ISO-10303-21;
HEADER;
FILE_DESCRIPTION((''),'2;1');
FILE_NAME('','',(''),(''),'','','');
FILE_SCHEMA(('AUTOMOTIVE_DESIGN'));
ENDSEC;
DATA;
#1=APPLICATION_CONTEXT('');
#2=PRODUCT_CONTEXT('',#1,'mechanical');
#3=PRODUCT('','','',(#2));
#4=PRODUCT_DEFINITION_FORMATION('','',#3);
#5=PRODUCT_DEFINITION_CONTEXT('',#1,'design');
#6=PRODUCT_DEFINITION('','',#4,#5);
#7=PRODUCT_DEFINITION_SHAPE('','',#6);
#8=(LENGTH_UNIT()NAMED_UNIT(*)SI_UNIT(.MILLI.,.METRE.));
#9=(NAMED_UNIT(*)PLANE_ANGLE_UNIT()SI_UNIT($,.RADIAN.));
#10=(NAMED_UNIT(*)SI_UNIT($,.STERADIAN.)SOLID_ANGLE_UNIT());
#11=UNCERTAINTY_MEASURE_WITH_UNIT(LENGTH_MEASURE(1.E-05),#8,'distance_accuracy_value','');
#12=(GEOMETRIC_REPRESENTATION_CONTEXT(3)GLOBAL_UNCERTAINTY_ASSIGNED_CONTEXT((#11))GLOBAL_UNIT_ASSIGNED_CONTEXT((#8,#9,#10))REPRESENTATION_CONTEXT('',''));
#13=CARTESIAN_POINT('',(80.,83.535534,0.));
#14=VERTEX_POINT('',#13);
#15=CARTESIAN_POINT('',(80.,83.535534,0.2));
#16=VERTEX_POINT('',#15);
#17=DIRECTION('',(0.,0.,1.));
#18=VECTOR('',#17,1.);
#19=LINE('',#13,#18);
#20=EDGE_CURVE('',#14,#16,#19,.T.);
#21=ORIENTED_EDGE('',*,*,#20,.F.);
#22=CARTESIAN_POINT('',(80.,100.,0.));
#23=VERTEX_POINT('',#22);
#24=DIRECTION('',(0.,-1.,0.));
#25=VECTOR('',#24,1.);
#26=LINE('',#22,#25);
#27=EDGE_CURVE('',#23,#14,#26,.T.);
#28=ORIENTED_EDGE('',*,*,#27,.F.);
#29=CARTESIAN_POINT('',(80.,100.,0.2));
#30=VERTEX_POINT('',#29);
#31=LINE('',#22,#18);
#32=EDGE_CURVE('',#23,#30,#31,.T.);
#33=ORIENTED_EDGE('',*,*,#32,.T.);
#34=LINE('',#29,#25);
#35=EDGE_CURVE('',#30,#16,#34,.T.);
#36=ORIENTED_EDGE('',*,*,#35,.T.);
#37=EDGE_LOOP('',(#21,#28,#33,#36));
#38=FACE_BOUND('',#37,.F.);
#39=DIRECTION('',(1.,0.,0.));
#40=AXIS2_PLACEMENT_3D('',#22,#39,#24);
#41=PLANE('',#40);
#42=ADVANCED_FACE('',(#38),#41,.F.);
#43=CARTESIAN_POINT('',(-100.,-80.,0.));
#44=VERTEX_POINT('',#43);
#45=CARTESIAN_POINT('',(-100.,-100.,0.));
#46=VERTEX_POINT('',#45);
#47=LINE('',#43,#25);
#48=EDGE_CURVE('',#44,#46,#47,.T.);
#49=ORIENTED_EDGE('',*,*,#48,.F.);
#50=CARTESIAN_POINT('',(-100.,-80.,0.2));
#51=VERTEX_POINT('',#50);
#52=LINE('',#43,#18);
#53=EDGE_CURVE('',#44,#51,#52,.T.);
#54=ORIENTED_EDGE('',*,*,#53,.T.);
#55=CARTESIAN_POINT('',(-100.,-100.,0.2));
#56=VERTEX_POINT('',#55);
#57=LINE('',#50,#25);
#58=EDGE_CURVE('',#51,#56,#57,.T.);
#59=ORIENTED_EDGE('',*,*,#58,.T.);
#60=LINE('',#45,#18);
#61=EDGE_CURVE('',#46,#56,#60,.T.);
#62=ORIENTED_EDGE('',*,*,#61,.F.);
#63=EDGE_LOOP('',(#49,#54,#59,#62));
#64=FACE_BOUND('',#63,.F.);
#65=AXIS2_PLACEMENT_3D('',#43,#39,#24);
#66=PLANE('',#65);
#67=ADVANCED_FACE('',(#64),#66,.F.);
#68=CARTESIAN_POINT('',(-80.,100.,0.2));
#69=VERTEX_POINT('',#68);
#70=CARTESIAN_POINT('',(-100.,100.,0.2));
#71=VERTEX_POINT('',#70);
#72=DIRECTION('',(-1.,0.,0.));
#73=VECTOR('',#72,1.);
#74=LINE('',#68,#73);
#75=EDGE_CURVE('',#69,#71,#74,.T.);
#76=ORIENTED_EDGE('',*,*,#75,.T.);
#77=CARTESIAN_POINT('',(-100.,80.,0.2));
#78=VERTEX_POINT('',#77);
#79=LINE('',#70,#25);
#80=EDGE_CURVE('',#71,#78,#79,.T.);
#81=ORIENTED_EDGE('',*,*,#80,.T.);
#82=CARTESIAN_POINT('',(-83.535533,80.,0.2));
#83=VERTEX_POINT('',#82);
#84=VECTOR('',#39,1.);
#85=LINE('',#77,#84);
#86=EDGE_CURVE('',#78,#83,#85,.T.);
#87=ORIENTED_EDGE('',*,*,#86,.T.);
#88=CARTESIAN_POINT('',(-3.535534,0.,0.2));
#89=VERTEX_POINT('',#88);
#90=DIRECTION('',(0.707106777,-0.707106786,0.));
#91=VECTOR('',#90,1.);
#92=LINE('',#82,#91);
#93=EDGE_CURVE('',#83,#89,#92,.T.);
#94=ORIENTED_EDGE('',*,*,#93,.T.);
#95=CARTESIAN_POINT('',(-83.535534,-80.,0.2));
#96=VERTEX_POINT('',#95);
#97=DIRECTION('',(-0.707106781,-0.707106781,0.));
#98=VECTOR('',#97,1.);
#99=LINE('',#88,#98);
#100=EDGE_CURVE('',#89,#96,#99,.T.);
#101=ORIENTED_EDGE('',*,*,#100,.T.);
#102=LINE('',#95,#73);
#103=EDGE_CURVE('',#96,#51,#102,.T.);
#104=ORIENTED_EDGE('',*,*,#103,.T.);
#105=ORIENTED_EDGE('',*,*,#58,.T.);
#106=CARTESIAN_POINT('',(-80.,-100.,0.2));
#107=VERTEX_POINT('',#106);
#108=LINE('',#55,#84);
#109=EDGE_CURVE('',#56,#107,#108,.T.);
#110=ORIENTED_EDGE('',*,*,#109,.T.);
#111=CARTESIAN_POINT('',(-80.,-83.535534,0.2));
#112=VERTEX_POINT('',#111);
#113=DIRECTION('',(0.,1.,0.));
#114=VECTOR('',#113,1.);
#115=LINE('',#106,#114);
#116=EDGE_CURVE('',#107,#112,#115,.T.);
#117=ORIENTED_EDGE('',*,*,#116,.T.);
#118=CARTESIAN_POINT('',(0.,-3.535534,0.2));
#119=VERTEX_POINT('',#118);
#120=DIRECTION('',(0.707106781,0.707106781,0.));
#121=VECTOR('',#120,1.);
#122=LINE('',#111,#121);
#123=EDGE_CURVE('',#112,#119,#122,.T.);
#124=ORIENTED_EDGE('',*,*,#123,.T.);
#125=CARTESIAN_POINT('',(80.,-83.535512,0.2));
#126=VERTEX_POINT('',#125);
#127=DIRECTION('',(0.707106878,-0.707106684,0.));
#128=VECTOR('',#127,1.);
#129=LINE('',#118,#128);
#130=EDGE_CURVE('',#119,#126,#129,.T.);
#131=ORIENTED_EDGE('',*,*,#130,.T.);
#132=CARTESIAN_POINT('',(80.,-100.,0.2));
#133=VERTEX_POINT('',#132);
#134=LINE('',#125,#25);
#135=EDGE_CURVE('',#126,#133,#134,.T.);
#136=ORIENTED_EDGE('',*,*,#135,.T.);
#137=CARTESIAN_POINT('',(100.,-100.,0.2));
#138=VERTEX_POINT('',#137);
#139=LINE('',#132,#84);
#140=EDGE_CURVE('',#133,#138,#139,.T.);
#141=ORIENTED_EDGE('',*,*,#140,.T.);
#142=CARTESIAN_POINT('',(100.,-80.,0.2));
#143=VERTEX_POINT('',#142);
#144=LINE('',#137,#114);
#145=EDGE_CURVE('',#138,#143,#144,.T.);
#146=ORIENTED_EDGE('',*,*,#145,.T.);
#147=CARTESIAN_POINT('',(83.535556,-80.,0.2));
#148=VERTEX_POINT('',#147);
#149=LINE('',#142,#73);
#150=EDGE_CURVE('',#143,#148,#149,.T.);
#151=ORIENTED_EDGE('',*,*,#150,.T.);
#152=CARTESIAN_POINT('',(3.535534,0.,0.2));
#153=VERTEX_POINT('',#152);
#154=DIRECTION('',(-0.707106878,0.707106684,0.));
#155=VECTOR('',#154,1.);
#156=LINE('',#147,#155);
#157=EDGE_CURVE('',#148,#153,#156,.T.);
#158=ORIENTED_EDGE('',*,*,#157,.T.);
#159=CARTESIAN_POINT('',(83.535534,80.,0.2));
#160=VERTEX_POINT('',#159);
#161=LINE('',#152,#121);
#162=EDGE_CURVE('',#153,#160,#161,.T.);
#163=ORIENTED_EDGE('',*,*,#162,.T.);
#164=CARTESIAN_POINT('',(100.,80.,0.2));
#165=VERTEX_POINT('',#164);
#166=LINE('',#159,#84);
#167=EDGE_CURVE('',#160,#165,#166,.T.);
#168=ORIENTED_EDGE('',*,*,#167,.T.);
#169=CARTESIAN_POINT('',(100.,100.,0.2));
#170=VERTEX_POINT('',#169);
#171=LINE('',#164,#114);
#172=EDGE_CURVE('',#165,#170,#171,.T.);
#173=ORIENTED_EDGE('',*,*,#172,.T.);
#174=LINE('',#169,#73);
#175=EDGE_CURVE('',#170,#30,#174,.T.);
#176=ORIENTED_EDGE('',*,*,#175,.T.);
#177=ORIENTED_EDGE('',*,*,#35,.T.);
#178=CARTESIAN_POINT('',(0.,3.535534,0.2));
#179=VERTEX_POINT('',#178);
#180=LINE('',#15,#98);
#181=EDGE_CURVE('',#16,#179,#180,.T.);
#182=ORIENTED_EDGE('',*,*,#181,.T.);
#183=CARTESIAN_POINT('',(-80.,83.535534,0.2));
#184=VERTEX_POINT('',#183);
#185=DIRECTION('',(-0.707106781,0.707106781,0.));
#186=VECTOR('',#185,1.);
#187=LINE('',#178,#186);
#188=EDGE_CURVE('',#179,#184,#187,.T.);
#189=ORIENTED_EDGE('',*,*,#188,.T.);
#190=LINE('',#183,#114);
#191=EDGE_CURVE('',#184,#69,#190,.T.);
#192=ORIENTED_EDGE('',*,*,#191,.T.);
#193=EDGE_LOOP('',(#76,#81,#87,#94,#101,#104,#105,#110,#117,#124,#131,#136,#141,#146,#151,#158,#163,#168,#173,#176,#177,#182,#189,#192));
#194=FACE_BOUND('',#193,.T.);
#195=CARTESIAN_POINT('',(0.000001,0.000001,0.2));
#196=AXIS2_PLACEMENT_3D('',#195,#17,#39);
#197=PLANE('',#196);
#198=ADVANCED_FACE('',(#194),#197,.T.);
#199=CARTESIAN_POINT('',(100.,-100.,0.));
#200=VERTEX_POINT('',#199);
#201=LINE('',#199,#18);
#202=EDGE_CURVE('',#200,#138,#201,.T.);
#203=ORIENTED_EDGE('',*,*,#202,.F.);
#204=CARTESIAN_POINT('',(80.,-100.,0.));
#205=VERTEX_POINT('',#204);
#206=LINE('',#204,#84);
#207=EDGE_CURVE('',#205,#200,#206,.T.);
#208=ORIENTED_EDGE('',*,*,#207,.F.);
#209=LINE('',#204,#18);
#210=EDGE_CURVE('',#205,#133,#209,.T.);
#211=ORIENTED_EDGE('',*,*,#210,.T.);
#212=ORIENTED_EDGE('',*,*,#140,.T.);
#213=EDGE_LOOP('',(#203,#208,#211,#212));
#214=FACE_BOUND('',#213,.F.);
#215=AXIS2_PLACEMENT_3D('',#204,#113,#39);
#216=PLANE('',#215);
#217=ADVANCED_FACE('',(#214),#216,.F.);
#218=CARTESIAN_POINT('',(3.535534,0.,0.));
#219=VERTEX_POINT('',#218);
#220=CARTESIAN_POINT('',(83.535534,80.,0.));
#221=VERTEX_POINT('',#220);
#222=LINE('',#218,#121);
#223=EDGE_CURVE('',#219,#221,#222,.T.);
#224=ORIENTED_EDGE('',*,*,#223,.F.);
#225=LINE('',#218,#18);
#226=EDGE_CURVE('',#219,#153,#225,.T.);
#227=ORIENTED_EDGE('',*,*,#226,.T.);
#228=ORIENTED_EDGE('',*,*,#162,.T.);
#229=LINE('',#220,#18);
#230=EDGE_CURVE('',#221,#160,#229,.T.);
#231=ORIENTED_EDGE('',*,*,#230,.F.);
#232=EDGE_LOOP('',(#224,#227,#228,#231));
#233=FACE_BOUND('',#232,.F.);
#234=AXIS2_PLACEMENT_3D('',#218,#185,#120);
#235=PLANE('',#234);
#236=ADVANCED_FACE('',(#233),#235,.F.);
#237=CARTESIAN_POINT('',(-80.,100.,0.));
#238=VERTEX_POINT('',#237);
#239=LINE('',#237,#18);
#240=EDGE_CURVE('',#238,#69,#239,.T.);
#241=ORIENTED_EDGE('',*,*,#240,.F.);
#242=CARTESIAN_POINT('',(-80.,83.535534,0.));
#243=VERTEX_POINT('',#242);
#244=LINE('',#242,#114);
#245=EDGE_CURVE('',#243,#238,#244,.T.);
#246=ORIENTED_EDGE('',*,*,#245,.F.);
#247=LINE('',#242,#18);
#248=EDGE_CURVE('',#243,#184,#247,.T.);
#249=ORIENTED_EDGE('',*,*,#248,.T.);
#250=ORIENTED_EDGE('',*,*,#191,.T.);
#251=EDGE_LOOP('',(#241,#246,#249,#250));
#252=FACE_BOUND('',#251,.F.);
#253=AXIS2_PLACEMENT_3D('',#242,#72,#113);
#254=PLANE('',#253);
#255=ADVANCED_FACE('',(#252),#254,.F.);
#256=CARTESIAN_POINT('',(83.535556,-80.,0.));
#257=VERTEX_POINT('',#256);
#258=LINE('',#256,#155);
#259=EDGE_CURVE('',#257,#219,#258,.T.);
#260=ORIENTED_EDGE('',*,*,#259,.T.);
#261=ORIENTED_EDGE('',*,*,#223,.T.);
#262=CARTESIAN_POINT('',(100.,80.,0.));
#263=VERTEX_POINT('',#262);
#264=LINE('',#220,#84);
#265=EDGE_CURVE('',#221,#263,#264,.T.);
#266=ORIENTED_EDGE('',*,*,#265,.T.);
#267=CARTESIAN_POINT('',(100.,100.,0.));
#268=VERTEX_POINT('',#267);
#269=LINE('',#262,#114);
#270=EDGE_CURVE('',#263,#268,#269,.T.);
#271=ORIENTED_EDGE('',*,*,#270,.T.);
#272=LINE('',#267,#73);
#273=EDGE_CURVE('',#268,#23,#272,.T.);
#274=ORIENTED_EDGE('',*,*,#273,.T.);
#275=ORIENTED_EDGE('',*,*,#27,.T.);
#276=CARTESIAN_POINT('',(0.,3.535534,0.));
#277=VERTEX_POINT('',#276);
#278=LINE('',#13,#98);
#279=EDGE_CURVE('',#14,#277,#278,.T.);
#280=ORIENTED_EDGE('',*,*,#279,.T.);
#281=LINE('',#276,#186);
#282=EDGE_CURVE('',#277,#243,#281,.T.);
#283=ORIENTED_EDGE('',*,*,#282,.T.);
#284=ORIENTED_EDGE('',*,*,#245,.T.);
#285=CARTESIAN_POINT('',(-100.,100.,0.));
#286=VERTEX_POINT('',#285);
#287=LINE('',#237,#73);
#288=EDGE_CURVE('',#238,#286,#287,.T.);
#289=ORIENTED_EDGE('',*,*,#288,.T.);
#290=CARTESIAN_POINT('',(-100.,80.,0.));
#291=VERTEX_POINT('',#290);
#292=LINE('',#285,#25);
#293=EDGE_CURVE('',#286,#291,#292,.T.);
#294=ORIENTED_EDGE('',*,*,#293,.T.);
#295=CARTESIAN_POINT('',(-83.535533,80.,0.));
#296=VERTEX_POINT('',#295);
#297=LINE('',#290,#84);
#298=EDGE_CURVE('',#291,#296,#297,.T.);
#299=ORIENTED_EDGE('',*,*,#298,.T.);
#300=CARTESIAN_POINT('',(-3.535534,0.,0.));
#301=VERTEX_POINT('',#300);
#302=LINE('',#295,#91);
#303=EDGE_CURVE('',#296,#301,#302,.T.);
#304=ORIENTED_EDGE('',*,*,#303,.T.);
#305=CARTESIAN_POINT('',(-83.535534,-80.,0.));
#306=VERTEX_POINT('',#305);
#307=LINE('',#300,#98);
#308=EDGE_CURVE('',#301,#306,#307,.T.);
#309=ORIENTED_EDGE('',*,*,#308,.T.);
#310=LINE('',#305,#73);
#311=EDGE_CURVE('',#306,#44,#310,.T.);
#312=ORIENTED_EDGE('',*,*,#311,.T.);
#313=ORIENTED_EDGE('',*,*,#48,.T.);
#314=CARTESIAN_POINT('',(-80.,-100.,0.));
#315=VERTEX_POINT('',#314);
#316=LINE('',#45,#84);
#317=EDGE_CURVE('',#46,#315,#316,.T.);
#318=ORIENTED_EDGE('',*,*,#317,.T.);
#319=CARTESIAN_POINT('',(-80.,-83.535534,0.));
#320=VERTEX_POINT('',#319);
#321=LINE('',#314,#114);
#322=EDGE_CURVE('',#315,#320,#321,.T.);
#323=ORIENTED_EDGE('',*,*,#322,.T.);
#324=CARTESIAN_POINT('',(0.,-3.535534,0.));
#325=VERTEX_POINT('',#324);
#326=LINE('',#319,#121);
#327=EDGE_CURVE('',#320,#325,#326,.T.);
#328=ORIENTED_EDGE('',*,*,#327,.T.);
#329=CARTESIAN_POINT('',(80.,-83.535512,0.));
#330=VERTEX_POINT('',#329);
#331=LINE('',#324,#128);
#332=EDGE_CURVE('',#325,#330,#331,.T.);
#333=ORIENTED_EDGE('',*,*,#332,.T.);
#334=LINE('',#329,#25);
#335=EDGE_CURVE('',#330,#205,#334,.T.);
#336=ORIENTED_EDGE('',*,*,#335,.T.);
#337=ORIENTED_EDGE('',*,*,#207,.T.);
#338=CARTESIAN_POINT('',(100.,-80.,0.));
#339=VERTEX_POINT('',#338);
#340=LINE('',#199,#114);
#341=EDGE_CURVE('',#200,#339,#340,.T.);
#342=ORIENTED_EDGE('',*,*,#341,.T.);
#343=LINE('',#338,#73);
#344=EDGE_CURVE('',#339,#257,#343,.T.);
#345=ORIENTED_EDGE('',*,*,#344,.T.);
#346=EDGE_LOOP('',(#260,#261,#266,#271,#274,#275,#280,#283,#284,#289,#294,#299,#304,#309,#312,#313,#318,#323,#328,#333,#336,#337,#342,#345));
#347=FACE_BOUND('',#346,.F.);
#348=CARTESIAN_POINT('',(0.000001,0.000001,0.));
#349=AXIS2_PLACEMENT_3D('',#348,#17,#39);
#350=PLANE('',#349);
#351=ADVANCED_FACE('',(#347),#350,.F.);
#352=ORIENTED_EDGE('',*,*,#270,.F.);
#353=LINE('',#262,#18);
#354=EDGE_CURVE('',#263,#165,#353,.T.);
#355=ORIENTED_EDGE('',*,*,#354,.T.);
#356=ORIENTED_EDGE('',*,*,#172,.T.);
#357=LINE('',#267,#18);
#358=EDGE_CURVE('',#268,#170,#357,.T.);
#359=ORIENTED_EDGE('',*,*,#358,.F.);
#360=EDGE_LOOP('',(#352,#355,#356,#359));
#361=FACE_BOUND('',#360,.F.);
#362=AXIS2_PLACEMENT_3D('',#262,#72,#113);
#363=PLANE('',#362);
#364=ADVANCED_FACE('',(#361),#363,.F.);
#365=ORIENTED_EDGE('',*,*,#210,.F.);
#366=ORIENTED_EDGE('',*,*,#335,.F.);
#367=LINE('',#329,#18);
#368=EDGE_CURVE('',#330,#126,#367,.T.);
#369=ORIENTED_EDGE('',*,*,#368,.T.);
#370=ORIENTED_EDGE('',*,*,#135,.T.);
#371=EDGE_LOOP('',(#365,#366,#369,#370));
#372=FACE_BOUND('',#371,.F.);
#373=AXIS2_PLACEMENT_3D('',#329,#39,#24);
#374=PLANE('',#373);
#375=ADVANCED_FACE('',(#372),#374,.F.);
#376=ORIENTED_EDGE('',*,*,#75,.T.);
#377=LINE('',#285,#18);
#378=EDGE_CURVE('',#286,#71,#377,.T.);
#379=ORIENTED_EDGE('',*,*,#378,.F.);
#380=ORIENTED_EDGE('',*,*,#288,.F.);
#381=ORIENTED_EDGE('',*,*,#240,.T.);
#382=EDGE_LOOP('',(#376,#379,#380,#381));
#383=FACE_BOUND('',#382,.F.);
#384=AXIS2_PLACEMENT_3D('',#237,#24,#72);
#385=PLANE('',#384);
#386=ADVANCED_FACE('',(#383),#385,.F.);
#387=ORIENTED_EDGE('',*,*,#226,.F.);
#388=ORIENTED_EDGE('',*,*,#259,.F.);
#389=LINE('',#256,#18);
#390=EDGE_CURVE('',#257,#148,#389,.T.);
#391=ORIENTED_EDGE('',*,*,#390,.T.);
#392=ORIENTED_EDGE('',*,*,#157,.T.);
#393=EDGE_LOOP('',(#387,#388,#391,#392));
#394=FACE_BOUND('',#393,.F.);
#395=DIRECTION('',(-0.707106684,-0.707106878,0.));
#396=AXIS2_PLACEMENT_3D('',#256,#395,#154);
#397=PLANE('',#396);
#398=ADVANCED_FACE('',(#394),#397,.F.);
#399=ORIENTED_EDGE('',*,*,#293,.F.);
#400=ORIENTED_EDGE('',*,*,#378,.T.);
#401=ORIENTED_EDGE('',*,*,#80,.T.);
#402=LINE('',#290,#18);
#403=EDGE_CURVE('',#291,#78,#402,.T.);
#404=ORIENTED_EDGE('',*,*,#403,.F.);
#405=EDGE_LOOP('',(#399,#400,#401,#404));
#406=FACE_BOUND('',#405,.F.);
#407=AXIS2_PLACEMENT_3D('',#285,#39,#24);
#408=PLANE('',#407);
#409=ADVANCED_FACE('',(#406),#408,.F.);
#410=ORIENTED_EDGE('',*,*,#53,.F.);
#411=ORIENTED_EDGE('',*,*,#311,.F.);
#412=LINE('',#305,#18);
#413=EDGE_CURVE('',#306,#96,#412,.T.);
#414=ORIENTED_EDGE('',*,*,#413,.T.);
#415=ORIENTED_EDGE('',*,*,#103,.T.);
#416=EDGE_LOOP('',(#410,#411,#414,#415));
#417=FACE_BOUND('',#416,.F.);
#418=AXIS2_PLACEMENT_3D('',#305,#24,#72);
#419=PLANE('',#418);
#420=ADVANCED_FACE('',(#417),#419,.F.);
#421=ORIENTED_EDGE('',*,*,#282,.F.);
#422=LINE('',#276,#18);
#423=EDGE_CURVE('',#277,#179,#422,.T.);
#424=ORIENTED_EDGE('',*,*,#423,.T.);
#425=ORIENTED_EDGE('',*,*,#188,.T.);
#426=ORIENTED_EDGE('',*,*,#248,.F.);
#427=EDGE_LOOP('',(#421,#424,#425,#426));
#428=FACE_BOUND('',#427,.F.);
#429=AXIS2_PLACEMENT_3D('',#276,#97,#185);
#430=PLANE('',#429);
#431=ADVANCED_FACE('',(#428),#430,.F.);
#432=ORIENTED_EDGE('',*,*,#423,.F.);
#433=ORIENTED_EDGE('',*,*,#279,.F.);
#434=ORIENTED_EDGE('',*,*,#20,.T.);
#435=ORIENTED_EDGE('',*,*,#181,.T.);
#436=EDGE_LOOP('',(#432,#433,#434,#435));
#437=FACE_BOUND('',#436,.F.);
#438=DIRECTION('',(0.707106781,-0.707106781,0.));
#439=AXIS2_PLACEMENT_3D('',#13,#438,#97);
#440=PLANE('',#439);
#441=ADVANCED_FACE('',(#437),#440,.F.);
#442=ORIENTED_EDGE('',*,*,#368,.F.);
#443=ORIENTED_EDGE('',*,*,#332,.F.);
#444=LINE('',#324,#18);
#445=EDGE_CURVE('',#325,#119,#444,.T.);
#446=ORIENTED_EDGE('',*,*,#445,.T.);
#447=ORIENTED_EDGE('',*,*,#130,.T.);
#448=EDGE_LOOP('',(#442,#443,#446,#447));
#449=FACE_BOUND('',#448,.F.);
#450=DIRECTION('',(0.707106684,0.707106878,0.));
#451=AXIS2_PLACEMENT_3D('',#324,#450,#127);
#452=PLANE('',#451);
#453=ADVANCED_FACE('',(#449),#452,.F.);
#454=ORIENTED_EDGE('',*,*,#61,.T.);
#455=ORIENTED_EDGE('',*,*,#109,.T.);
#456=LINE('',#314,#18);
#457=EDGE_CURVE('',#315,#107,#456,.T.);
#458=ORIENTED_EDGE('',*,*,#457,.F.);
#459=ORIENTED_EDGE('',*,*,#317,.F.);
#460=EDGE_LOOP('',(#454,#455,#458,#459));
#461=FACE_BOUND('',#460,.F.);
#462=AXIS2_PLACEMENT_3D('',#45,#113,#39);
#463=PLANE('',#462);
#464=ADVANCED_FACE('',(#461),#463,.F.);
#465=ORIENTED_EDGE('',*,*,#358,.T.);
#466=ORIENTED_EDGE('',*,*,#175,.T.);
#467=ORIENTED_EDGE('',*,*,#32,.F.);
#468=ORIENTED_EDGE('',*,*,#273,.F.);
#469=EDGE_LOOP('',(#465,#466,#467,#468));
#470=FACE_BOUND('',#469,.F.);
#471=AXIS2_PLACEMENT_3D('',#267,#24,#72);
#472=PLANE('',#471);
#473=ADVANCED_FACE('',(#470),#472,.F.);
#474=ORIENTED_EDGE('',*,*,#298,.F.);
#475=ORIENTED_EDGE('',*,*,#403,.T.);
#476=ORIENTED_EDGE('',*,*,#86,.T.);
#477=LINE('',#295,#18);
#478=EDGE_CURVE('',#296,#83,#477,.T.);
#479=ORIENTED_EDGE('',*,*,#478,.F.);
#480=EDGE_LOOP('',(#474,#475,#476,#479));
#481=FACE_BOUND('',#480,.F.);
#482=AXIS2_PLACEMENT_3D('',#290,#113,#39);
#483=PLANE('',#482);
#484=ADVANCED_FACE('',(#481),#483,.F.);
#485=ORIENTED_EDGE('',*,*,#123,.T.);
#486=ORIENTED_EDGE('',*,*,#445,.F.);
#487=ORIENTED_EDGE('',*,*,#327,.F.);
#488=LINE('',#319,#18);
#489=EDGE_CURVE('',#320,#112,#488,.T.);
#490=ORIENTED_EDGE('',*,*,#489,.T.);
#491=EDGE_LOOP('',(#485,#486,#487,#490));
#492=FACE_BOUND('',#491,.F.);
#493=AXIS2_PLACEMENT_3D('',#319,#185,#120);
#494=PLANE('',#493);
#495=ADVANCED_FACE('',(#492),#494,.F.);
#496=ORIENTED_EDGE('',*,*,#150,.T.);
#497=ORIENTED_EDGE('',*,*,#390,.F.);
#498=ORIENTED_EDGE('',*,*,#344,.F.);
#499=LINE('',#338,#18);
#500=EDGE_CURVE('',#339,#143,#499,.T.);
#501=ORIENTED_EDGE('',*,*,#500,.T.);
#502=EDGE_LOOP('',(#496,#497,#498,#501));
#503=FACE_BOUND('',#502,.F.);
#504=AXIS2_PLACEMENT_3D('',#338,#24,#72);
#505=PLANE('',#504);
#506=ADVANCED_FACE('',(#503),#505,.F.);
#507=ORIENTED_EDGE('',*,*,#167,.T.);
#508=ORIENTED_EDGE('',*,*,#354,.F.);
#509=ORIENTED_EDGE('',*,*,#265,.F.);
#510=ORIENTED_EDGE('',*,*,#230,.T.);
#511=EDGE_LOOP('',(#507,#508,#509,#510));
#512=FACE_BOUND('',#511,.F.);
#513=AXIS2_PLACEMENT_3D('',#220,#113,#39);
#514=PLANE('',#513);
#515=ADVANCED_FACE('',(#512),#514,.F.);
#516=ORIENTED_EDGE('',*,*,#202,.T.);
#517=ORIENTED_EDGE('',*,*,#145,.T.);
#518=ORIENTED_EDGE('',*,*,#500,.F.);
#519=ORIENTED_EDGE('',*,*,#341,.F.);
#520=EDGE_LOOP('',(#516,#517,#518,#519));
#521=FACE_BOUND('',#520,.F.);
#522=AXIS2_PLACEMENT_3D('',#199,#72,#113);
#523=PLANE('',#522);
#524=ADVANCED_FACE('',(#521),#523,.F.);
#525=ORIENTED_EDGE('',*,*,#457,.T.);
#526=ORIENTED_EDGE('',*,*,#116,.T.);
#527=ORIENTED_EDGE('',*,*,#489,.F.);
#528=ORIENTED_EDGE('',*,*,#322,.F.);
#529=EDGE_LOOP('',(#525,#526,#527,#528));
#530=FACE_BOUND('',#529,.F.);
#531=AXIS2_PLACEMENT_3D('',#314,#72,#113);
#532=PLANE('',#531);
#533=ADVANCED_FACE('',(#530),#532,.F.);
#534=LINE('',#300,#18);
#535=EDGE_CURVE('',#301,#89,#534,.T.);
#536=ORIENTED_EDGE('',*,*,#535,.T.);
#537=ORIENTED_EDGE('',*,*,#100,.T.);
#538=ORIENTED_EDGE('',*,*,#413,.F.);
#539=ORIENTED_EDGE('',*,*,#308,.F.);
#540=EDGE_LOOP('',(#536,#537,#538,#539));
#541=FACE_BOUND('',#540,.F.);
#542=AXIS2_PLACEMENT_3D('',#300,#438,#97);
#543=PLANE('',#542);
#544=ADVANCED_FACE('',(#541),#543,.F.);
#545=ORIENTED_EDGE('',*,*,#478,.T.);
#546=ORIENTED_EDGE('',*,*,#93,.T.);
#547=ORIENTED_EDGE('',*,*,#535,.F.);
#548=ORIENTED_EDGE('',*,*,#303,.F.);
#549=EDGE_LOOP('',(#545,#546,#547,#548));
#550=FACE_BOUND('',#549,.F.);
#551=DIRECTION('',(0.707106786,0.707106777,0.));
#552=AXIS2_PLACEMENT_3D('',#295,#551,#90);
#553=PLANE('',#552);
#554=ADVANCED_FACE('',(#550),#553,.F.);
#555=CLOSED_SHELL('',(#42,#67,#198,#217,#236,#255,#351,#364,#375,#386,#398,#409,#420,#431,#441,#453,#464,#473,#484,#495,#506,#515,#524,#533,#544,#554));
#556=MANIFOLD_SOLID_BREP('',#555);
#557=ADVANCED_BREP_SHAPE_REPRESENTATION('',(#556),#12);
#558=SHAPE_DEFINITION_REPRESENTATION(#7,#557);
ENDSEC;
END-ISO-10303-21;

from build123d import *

# Parameters (mm, degrees)
PAD_DEPTH = 0.2


with BuildPart() as part:
    # Sketch → Pad (new body)
    with BuildSketch(Plane.XY):
        Polygon((100, 100), (80, 100), (80, 83.535534), (0, 3.535534), (-80, 83.535534), (-80, 100), (-100, 100), (-100, 80), (-83.535533, 80), (-3.535534, 0), (-83.535534, -80), (-100, -80), (-100, -100), (-80, -100), (-80, -83.535534), (0, -3.535534), (80, -83.535512), (80, -100), (100, -100), (100, -80), (83.535556, -80), (3.535534, 0), (83.535534, 80), (100, 80), align=None)
    extrude(amount=PAD_DEPTH)


solid = part.part
